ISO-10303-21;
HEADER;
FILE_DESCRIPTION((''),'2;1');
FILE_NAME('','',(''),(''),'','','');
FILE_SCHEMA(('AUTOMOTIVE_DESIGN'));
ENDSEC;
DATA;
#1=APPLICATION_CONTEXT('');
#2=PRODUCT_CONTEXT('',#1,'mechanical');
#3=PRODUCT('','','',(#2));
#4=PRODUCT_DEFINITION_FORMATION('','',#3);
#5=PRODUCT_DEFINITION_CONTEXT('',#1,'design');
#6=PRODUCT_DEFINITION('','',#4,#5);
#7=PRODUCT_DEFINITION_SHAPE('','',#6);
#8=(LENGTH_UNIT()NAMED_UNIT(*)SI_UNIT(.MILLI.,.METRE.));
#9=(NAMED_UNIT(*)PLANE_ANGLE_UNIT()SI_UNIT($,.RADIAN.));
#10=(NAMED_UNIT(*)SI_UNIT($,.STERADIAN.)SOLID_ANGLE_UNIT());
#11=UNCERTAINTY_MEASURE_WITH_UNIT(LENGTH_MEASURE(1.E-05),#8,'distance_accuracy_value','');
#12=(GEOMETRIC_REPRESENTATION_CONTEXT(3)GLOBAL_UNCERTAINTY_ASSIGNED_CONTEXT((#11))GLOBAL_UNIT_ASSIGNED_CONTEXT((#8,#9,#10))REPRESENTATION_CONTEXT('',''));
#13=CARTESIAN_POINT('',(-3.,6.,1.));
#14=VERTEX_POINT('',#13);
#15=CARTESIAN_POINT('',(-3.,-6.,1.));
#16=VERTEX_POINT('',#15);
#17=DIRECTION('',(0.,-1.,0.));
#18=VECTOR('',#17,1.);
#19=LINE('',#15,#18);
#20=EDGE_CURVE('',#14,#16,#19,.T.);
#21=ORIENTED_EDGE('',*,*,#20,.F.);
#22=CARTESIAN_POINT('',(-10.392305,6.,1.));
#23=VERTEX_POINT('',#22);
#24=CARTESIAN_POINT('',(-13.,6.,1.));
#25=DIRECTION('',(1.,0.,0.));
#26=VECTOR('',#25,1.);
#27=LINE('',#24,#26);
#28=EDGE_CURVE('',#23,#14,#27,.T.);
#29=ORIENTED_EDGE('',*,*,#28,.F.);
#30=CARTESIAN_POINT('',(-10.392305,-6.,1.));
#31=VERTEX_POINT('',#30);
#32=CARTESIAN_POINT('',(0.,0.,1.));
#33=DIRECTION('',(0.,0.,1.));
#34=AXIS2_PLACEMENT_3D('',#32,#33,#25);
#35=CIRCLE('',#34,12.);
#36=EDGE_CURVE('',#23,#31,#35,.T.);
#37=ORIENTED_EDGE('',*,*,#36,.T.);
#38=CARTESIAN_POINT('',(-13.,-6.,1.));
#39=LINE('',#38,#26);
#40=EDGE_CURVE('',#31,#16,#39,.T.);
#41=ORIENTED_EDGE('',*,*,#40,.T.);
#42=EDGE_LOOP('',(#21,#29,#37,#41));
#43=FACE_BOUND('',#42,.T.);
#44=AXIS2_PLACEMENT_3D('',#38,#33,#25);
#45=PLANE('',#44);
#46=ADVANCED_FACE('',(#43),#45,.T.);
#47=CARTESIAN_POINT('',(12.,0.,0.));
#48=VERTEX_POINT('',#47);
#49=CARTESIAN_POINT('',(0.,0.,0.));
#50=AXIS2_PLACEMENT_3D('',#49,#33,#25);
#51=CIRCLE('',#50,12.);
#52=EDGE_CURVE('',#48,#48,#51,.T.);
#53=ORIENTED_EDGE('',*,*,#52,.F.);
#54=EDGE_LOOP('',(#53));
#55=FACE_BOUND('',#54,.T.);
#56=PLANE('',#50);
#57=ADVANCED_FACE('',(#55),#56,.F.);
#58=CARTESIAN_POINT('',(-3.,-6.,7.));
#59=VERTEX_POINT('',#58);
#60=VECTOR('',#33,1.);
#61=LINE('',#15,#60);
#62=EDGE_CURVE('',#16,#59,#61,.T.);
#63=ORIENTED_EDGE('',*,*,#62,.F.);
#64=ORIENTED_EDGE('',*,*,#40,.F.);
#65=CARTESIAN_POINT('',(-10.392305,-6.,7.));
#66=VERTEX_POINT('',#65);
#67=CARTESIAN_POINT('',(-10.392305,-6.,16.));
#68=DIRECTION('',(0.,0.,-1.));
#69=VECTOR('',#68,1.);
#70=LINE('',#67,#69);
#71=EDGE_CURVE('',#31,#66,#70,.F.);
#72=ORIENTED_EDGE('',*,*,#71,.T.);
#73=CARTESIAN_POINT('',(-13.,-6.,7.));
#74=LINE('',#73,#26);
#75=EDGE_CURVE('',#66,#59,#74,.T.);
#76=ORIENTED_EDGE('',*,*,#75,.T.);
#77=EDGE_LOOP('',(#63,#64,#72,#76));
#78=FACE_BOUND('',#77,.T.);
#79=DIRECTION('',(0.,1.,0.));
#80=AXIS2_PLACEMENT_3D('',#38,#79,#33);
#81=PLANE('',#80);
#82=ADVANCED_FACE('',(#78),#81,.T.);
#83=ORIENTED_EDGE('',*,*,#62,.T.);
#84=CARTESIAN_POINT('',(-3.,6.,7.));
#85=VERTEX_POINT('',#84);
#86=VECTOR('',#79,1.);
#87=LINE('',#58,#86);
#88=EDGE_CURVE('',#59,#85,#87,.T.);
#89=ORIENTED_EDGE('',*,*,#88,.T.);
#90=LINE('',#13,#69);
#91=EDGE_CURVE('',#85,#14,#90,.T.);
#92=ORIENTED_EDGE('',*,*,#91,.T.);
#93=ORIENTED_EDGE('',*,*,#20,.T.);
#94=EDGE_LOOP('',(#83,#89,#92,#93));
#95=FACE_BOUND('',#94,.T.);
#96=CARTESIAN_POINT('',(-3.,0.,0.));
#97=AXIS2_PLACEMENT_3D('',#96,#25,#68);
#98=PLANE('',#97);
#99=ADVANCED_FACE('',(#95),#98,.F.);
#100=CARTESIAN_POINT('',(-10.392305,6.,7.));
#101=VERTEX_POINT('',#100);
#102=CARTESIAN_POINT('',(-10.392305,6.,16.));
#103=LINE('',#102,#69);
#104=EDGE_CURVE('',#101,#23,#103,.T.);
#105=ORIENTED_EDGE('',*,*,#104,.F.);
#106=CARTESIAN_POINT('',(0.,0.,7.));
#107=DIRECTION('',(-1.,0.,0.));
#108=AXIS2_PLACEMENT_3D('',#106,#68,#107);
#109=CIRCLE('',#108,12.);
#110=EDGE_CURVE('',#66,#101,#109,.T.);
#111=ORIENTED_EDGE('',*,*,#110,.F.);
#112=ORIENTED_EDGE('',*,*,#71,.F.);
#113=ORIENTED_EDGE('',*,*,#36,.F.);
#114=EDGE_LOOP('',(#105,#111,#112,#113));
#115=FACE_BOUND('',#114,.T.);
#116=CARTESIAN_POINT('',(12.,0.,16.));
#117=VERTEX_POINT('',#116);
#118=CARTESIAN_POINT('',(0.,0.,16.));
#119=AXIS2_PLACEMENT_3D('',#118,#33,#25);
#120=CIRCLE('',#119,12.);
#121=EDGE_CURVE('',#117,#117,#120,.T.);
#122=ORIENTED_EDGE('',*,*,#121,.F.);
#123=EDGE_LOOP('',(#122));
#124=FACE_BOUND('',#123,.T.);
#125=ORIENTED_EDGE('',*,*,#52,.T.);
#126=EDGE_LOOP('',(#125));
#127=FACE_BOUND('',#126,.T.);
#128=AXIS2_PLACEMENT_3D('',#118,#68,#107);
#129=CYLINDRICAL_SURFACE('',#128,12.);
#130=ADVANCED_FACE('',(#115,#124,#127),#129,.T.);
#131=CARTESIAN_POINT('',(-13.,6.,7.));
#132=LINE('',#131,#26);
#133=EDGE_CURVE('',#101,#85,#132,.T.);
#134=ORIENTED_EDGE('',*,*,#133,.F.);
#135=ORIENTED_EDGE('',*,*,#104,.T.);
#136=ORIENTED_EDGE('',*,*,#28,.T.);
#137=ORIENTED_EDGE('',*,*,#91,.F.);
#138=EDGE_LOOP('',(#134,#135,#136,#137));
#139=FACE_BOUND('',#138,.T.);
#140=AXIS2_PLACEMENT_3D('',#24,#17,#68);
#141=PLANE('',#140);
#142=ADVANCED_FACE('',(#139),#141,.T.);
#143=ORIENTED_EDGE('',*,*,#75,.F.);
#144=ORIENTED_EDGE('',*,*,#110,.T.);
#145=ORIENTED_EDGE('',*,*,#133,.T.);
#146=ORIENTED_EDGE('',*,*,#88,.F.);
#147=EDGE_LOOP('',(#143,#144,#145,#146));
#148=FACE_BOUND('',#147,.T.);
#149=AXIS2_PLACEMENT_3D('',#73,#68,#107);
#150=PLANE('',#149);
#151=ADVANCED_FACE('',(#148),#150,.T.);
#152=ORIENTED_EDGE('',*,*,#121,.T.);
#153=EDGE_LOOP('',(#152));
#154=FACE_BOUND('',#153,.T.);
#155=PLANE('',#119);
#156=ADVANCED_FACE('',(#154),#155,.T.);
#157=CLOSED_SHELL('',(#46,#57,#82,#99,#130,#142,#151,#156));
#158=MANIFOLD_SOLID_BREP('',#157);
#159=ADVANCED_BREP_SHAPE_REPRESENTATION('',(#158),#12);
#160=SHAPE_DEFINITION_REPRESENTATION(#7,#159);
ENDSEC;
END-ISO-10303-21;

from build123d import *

# Parameters (mm, degrees)
CROQUIS1_R                 = 12
SALIENTE_EXTRUIR1_DEPTH    = 16
CORTAR_EXTRUIR1_DEPTH      = 1
CORTAR_EXTRUIR1_DEPTH_BACK = 9
CROQUIS3_W                 = 6
CROQUIS3_H                 = 12


with BuildPart() as part:
    # Croquis1 → Saliente-Extruir1 (new body)
    with BuildSketch(Plane.XY):
        Circle(CROQUIS1_R)
    extrude(amount=SALIENTE_EXTRUIR1_DEPTH)

    # Croquis3 → Cortar-Extruir1 (cut, two sides: drawn at the far end of the back side and taken through both)
    with BuildSketch(Plane.ZY.offset(12).offset(-CORTAR_EXTRUIR1_DEPTH_BACK)):
        with Locations((4, 0)):
            Rectangle(CROQUIS3_W, CROQUIS3_H)
    extrude(amount=CORTAR_EXTRUIR1_DEPTH + CORTAR_EXTRUIR1_DEPTH_BACK, mode=Mode.SUBTRACT)


solid = part.part
